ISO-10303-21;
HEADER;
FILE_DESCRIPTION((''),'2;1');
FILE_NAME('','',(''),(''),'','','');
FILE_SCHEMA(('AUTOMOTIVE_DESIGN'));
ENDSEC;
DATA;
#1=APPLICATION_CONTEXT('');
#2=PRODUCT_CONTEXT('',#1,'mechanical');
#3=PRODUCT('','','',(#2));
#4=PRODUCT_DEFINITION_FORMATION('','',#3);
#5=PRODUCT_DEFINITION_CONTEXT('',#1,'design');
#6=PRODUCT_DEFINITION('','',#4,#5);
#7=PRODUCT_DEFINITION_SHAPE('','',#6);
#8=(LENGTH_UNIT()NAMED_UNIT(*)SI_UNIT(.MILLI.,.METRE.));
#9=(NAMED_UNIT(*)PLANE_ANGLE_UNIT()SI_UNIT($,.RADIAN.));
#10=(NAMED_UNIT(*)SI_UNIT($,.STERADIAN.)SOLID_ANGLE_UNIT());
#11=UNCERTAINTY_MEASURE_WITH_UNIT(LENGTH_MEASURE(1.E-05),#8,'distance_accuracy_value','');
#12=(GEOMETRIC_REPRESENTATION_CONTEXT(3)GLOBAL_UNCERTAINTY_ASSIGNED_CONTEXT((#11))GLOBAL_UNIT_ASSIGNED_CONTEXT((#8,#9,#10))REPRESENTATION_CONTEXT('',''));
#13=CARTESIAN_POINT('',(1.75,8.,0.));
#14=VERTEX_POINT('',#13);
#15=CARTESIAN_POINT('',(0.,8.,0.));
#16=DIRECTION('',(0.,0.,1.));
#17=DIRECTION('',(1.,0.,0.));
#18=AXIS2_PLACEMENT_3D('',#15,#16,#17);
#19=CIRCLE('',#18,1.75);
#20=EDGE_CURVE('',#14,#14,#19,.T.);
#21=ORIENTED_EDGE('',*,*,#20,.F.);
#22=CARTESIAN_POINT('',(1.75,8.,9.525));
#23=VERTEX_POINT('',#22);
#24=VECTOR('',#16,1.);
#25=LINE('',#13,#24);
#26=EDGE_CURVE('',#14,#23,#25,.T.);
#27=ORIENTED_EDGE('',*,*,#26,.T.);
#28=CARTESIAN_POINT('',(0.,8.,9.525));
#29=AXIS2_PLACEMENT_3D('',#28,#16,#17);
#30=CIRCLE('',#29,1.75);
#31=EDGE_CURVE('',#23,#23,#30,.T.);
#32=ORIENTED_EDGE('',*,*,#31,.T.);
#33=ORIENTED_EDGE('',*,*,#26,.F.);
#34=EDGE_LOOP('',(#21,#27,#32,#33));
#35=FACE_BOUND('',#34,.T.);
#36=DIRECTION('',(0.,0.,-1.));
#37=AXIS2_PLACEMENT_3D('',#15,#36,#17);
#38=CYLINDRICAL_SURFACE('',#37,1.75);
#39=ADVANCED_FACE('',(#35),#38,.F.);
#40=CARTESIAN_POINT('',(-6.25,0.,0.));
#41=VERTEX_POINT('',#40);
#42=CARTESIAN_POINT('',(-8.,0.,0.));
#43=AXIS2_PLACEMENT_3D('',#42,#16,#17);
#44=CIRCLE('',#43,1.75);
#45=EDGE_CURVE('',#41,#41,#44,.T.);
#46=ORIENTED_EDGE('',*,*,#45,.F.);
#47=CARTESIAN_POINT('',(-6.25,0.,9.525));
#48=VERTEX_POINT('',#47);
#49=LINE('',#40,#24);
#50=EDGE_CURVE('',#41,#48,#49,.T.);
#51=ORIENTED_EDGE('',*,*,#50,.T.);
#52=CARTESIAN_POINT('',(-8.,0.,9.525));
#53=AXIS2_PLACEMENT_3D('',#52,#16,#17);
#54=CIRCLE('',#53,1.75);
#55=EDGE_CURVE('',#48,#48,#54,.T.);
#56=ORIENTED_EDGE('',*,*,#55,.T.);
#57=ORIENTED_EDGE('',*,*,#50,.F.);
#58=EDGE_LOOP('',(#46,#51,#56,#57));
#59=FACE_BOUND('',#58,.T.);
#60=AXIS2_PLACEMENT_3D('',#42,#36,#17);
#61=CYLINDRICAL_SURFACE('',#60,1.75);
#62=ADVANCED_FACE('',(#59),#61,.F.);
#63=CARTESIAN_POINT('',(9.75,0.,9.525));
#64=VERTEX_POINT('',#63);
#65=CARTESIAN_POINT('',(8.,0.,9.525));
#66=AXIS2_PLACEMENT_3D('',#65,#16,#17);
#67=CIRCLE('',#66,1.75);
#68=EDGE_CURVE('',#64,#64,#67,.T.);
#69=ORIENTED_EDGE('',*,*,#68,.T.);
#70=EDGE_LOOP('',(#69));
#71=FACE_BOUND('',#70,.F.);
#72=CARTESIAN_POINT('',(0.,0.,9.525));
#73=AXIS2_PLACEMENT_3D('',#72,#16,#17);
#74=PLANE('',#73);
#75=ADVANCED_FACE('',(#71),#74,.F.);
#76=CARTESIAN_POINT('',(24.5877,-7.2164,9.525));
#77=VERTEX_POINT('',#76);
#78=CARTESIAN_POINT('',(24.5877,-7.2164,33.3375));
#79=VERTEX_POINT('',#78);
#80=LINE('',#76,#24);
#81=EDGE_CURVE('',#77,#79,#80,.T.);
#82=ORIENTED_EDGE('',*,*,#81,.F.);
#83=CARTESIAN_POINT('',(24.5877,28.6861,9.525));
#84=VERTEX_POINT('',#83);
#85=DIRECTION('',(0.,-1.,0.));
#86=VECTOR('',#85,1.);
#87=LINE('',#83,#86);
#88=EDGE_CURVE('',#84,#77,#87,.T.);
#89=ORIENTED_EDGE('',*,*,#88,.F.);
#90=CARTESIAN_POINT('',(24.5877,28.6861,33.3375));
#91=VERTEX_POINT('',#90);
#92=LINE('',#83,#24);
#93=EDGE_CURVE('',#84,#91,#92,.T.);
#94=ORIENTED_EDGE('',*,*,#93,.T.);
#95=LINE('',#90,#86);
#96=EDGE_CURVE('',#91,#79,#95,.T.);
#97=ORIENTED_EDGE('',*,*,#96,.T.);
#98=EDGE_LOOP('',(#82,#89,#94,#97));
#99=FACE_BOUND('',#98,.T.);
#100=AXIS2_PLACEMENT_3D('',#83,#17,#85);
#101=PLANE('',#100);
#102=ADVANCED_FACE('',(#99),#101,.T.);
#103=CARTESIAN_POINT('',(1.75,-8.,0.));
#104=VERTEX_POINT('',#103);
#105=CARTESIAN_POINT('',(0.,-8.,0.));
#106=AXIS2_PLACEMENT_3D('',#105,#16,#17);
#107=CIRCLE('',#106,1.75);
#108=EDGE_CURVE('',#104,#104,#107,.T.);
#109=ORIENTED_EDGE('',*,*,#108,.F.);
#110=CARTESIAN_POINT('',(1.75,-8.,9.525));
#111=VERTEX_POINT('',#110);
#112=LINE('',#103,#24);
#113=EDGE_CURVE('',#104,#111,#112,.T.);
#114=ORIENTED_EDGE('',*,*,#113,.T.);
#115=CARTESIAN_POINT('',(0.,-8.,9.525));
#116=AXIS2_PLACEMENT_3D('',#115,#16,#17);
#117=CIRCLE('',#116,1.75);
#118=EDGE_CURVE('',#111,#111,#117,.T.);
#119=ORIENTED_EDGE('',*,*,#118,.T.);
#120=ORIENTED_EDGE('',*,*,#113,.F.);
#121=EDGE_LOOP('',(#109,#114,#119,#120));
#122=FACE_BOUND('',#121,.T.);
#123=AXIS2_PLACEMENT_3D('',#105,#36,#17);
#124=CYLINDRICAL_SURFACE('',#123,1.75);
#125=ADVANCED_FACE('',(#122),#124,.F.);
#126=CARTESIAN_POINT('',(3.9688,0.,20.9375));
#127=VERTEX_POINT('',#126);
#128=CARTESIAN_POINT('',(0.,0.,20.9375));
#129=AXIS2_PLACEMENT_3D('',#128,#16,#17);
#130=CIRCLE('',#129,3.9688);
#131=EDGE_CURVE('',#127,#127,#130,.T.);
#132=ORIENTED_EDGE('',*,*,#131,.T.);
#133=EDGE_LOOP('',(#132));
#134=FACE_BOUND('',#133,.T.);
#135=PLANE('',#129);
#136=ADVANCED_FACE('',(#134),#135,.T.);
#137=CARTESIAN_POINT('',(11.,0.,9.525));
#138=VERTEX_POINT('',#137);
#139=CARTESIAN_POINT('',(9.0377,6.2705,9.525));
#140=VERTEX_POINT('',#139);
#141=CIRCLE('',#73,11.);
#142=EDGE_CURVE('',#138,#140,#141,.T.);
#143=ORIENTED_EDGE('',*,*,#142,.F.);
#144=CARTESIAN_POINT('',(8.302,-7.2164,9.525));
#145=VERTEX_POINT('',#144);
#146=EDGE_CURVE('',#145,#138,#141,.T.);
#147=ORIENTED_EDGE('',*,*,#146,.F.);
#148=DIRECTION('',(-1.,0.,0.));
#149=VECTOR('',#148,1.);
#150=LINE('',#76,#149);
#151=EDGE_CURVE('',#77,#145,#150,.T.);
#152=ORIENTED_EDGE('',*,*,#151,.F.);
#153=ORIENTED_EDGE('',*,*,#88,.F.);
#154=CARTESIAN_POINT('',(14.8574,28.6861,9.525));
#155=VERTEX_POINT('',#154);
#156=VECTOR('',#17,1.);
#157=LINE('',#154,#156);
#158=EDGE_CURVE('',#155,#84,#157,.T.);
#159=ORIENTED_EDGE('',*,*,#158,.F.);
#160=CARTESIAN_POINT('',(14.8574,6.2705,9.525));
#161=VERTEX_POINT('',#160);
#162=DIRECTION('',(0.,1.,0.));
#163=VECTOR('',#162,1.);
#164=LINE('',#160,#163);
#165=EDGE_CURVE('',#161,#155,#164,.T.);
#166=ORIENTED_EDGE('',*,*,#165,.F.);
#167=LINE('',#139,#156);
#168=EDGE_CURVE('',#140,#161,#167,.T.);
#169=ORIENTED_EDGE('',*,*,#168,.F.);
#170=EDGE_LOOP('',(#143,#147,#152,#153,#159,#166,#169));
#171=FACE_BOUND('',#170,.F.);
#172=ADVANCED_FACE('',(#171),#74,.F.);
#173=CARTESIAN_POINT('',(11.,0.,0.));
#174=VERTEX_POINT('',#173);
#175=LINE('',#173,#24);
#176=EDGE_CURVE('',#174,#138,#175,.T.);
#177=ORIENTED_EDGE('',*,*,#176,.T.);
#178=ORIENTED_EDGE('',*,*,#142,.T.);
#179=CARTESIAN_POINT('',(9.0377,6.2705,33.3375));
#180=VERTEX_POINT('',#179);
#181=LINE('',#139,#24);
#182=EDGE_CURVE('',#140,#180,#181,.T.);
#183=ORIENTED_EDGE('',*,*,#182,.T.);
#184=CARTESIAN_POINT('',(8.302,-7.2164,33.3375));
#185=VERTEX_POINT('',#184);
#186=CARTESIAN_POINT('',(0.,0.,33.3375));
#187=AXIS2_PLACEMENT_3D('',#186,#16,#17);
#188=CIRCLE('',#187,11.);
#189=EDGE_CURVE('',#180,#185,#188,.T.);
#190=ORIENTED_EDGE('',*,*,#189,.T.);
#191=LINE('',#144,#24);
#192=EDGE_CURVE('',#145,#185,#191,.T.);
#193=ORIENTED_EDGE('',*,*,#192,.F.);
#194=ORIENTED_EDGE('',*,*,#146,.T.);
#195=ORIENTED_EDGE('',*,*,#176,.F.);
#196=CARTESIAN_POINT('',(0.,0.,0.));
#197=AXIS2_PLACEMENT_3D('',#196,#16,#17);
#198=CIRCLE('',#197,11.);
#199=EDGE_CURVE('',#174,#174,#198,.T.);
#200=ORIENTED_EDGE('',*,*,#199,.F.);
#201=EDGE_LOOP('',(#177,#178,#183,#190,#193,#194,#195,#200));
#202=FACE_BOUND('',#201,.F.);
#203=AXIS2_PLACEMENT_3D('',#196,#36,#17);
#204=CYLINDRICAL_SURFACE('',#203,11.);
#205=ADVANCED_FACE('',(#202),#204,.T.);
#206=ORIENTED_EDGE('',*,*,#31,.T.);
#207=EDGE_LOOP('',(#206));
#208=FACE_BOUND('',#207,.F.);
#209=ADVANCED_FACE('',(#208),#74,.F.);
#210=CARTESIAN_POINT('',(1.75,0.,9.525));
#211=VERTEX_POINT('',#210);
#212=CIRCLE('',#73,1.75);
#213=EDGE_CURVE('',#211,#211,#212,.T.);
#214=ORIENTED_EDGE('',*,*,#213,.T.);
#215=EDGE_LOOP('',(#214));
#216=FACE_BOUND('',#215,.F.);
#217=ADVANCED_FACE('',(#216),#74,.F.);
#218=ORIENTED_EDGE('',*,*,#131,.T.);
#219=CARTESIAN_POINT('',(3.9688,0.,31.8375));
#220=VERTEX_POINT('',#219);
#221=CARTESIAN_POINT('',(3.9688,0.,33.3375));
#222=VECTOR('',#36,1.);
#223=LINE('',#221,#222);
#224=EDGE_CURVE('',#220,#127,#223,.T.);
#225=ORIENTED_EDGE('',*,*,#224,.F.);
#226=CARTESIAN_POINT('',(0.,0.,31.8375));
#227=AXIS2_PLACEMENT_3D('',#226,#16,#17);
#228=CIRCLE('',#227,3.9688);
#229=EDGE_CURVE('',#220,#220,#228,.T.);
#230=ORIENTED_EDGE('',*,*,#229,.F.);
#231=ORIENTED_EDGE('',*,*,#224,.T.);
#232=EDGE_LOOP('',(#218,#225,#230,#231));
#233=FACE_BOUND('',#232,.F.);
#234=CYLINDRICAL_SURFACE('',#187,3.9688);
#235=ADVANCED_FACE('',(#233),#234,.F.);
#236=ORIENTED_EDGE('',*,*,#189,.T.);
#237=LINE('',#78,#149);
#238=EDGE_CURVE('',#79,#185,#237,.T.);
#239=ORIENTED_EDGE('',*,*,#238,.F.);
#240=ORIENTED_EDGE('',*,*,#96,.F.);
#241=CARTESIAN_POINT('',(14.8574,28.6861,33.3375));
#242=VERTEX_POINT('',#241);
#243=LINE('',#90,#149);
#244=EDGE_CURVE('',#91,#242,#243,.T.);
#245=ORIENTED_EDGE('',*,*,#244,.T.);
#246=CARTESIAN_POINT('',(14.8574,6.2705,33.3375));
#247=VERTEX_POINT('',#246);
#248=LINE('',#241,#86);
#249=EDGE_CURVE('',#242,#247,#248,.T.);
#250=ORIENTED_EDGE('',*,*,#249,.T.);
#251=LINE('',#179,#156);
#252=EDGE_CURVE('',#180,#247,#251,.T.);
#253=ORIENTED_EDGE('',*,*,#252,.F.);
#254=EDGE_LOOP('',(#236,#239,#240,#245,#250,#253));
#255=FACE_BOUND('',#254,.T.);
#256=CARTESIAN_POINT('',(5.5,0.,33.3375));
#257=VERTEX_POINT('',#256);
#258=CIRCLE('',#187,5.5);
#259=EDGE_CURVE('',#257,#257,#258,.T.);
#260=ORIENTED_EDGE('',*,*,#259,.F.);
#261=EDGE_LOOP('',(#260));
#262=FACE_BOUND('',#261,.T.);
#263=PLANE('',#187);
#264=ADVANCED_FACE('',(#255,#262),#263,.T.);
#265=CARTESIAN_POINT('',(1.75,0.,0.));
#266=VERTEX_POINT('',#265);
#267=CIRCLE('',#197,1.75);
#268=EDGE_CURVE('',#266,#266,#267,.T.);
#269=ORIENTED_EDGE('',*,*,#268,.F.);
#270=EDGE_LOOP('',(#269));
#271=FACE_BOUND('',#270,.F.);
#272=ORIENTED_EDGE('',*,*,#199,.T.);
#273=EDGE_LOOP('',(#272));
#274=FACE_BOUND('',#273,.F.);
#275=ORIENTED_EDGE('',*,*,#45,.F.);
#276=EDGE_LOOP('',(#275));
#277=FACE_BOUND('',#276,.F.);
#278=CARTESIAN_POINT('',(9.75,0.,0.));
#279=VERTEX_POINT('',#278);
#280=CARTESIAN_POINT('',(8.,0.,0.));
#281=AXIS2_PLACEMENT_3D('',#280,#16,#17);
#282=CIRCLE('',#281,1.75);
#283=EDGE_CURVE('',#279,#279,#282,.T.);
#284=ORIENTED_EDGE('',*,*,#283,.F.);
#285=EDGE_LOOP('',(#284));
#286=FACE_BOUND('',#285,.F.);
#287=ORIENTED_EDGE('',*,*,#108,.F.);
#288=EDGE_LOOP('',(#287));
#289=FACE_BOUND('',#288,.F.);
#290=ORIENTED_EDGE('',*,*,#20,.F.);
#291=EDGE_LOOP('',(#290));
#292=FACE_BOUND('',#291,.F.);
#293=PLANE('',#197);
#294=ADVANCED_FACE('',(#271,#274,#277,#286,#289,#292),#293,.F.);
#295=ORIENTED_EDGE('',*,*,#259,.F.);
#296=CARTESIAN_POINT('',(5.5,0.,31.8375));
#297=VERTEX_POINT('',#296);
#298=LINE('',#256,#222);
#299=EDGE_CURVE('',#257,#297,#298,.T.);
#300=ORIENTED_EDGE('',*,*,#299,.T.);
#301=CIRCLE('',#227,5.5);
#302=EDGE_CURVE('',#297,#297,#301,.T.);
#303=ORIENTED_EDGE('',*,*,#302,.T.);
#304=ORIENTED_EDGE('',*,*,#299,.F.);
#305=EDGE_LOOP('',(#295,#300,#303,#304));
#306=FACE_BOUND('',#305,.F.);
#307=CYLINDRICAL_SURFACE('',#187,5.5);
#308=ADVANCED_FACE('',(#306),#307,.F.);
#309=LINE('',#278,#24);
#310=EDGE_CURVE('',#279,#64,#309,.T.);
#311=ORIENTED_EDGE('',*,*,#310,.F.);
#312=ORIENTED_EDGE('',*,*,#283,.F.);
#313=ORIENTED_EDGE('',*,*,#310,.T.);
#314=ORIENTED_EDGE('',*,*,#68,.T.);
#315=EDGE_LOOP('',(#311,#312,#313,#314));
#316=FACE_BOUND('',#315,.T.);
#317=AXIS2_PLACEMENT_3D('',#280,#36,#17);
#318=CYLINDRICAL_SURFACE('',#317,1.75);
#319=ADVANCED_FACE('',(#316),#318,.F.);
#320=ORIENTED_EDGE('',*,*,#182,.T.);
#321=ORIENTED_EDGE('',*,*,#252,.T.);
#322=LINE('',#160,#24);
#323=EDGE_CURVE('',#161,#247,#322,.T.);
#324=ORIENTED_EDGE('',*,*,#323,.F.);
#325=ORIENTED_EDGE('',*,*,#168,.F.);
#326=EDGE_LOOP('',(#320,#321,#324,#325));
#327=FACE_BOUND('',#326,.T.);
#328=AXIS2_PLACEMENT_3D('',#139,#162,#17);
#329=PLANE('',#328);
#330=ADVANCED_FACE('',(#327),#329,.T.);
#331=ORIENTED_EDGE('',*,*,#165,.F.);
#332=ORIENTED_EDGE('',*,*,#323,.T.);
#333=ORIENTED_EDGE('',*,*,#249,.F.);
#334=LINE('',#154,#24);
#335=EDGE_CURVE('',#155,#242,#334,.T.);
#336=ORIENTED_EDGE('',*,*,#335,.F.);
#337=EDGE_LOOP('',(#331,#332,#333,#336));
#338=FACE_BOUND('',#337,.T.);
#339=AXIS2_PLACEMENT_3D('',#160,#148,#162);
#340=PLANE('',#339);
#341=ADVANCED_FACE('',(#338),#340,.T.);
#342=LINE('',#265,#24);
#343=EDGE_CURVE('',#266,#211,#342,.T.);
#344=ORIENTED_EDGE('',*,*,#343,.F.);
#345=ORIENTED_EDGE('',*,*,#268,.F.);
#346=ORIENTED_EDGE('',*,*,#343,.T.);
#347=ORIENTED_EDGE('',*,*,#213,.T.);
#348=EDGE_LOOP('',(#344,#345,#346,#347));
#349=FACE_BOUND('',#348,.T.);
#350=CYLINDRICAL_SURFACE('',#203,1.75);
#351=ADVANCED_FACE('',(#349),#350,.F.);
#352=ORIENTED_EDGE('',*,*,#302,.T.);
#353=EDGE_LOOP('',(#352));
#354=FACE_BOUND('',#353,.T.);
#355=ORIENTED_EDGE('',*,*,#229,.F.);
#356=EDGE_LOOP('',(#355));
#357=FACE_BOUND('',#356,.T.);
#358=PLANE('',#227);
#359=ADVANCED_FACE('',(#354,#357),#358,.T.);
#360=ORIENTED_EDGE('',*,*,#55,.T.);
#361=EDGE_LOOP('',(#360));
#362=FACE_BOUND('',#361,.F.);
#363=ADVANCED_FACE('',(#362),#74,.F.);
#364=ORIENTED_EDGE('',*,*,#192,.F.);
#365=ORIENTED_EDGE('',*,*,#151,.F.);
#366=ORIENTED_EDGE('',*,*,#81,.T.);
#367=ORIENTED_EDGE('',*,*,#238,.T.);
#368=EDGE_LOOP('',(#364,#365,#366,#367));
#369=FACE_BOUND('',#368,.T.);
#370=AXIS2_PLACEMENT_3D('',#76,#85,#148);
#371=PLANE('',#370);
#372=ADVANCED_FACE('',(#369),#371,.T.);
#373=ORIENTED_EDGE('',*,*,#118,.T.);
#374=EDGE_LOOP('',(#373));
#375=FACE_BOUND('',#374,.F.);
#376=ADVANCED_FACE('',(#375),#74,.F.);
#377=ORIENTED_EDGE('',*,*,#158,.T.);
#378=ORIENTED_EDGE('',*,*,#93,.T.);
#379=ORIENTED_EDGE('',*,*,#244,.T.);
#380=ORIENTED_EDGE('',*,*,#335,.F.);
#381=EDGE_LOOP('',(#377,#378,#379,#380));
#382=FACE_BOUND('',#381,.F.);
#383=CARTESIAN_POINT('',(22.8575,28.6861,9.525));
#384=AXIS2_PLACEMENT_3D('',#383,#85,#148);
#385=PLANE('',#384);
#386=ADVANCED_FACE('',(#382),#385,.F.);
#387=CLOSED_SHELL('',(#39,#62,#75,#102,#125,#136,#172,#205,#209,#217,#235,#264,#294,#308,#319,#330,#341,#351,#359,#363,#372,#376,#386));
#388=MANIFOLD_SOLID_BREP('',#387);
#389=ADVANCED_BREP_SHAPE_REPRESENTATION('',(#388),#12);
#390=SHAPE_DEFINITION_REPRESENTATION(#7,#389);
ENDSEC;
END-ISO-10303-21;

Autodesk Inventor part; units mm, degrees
ref_plane "YZ Plane" through (0, 0, 0) normal (1, 0, 0) x (0, 1, 0)
ref_plane "XZ Plane" through (0, 0, 0) normal (0, 1, 0) x (-1, 0, 0)
ref_plane "XY Plane" through (0, 0, 0) normal (0, 0, 1) x (1, 0, 0)
sketch "Sketch1" plane through (0, 0, 0) normal (0, 0, 1) x (1, 0, 0)
  circle A0 centre (0, 0) radius 11 projected
  circle A1 centre (0, 0) radius 1.75 projected
  circle A2 centre (-8, 0) radius 1.75 projected
  circle A3 centre (0, 8) radius 1.75 projected
  circle A4 centre (8, 0) radius 1.75 projected
  circle A5 centre (0, -8) radius 1.75 projected
extrude "Extrusion1" add sketch "Sketch1" along normal blind 9.525
sketch "Sketch2" plane through (0, 0, 9.525) normal (0, 0, 1) x (1, 0, 0)
  circle A0 centre (0, 0) radius 11 projected
  line L0 (9.0377, 6.2705) -> (14.8574, 6.2705)
  line L1 (14.8574, 6.2705) -> (14.8574, 19.7717)
  line L2 (22.8575, 28.6861) -> (24.5877, 28.6861)
  line L3 (24.5877, 28.6861) -> (24.5877, -7.2164)
  line L4 (24.5877, -7.2164) -> (8.302, -7.2164)
  line L5 (22.8575, 28.6861) -> (14.8574, 28.6861)
  line L6 (14.8574, 19.7717) -> (14.8574, 28.6861)
  point P0 (-11, -11)
extrude "Extrusion2" add sketch "Sketch2" along normal blind 23.8125
sketch "Sketch3" plane through (0, 0, 33.3375) normal (0, 0, 1) x (1, 0, 0)
  circle A0 centre (0, 0) radius 3.9688
  dimension "d4" = 7.9375
extrude "Extrusion3" cut sketch "Sketch3" against normal blind 12.4
sketch "Sketch4" plane through (0, 0, 33.3375) normal (0, 0, 1) x (1, 0, 0)
  circle A0 centre (0, 0) radius 5.5
  dimension "d7" = 11
extrude "Extrusion4" cut sketch "Sketch4" against normal blind 1.5
properties part number "goal holder flipped"
